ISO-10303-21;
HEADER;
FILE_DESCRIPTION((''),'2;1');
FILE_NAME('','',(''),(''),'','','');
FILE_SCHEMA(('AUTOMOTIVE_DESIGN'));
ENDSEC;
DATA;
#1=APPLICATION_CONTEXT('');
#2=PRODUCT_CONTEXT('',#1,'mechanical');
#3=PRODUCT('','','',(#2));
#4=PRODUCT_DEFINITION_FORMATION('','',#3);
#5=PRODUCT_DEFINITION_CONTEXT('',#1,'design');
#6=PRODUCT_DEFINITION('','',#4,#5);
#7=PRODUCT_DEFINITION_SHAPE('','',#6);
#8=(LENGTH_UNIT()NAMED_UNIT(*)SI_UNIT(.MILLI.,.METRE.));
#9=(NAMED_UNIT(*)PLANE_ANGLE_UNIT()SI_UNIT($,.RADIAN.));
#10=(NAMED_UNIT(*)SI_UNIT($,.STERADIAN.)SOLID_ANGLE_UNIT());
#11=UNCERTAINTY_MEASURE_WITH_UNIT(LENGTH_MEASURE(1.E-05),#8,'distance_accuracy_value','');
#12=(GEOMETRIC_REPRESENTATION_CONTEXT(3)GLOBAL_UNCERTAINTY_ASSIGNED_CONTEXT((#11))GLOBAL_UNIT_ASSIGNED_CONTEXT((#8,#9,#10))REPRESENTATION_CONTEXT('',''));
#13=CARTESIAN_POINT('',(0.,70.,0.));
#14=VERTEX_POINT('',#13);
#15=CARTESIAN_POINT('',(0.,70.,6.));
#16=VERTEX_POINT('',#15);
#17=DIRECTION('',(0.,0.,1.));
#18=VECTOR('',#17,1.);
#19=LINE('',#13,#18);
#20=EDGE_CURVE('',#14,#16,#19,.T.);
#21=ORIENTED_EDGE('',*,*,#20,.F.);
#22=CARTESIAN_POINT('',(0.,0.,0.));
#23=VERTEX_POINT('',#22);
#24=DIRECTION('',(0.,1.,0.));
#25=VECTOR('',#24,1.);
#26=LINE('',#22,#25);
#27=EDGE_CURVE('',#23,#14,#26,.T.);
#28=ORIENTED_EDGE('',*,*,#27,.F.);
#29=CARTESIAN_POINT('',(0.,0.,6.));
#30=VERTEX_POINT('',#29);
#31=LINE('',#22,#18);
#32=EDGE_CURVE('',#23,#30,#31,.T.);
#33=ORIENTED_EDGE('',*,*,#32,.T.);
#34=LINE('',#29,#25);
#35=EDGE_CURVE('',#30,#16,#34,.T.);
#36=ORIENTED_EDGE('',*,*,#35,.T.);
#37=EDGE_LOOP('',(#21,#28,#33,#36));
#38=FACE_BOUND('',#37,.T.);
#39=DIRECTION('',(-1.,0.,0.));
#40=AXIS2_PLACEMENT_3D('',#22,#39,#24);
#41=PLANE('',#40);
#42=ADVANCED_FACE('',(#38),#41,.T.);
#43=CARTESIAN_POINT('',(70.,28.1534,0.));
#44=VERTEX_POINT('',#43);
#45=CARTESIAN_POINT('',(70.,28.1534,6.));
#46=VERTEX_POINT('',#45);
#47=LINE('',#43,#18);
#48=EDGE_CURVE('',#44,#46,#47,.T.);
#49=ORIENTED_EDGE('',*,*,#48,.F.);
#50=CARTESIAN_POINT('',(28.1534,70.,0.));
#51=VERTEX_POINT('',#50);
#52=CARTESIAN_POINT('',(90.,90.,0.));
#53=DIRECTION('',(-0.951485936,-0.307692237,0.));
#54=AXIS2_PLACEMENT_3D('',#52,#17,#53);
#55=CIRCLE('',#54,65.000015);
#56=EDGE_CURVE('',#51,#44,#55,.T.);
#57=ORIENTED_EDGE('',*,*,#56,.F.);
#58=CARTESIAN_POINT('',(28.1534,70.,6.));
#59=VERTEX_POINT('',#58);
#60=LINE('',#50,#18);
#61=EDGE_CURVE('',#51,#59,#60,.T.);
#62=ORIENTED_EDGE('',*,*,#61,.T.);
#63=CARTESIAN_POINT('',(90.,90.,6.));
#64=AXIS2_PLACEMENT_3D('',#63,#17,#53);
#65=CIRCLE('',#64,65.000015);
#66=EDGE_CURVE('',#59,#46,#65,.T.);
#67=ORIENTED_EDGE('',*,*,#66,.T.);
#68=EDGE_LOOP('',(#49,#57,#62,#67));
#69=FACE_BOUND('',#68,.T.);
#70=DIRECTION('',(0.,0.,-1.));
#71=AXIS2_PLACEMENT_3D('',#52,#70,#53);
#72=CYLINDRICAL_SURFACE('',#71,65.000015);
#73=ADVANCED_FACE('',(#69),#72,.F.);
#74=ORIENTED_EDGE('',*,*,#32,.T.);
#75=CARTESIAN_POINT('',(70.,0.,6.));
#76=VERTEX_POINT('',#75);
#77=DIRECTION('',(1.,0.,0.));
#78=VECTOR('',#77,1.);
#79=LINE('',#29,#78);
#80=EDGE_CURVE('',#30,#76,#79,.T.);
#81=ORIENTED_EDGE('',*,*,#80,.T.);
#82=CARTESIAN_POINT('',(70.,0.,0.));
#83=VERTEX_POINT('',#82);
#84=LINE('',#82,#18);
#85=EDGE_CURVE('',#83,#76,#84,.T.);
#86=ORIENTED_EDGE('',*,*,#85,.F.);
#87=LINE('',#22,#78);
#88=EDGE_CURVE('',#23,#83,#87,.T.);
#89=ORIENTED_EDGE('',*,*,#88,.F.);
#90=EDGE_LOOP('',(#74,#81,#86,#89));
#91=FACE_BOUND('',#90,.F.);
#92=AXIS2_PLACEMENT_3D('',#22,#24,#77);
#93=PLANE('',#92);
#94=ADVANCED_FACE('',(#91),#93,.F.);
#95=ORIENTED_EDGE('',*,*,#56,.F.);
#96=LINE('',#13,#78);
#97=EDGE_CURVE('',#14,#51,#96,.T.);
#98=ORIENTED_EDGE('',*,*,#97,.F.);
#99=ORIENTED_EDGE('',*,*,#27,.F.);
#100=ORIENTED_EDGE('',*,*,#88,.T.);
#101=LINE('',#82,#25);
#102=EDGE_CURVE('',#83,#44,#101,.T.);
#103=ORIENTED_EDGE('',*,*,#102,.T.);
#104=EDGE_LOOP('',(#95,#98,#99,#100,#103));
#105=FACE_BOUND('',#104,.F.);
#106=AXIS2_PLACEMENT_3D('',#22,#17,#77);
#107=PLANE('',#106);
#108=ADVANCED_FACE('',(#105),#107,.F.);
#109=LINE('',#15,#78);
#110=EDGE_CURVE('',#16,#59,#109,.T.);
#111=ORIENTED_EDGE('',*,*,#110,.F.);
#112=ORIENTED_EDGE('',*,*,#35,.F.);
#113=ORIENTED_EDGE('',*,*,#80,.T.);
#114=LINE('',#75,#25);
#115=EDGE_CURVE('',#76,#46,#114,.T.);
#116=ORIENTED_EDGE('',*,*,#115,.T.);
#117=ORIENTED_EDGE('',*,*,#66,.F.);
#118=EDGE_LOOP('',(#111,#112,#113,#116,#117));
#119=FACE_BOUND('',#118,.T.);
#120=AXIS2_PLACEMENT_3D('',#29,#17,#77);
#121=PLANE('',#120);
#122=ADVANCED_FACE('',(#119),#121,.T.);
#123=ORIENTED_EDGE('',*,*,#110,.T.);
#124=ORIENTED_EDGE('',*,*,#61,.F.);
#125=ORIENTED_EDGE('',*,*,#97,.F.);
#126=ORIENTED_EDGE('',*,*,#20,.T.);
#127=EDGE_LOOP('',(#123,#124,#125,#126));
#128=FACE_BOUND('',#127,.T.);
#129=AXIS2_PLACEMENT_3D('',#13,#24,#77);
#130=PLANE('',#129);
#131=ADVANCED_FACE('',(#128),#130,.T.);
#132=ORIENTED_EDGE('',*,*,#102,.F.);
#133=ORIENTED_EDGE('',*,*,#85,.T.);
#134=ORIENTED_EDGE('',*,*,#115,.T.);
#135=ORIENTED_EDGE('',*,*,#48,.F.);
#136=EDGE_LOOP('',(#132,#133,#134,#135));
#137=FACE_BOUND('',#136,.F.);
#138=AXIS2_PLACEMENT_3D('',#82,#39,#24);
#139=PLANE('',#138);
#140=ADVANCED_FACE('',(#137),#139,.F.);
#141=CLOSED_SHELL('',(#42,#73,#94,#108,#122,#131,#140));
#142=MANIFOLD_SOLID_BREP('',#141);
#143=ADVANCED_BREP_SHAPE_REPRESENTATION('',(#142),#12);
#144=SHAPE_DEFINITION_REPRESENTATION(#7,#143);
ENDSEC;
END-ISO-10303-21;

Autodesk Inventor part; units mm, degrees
ref_plane "YZ Plane" through (0, 0, 0) normal (1, 0, 0) x (0, 1, 0)
ref_plane "XZ Plane" through (0, 0, 0) normal (0, 1, 0) x (-1, 0, 0)
ref_plane "XY Plane" through (0, 0, 0) normal (0, 0, 1) x (1, 0, 0)
sketch "Szkic1" plane through (0, 0, 0) normal (0, 0, 1) x (1, 0, 0)
  line L0 (0, 0) -> (70, 0) construction
  line L1 (70, 0) -> (70, 70) construction
  line L2 (70, 70) -> (0, 70) construction
  line L3 (0, 70) -> (0, 0) construction
  line L4 (0, 0) -> (6, 0) construction
  line L5 (6, 0) -> (6, 70) construction
  line L6 (6, 70) -> (0, 70) construction
  line L7 (0, 70) -> (0, 0) construction
  line L8 (0, 0) -> (70, 0) construction
  line L9 (70, 0) -> (70, 6) construction
  line L10 (70, 6) -> (0, 6) construction
  line L11 (0, 6) -> (0, 0) construction
  line L12 (6, 6) -> (174, 6) construction
  line L13 (174, 6) -> (174, 174) construction
  line L14 (174, 174) -> (6, 174) construction
  line L15 (6, 174) -> (6, 6) construction
  line L16 (90, 174) -> (90, 6) construction
  circle A0 centre (90, 90) radius 65 construction
  line L17 (0, 0) -> (70, 0)
  line L18 (0, 0) -> (0, 70)
  line L19 (0, 70) -> (28.1534, 70)
  line L20 (70, 0) -> (70, 28.1534)
  arc A1 (28.1534, 70) -> (70, 28.1534) centre (90, 90) ccw
  dimension "d23" = 70
  dimension "d24" = 70
  dimension "d25" = 6
  dimension "d26" = 6
  dimension "d27" = 168
  dimension "d28" = 168
  dimension "d29" = 130
extrude "Wyciągnięcie proste1" add sketch "Szkic1" along normal blind 6
equation "\"d23\" = d24"
properties part number "Naroznik_60x60"
